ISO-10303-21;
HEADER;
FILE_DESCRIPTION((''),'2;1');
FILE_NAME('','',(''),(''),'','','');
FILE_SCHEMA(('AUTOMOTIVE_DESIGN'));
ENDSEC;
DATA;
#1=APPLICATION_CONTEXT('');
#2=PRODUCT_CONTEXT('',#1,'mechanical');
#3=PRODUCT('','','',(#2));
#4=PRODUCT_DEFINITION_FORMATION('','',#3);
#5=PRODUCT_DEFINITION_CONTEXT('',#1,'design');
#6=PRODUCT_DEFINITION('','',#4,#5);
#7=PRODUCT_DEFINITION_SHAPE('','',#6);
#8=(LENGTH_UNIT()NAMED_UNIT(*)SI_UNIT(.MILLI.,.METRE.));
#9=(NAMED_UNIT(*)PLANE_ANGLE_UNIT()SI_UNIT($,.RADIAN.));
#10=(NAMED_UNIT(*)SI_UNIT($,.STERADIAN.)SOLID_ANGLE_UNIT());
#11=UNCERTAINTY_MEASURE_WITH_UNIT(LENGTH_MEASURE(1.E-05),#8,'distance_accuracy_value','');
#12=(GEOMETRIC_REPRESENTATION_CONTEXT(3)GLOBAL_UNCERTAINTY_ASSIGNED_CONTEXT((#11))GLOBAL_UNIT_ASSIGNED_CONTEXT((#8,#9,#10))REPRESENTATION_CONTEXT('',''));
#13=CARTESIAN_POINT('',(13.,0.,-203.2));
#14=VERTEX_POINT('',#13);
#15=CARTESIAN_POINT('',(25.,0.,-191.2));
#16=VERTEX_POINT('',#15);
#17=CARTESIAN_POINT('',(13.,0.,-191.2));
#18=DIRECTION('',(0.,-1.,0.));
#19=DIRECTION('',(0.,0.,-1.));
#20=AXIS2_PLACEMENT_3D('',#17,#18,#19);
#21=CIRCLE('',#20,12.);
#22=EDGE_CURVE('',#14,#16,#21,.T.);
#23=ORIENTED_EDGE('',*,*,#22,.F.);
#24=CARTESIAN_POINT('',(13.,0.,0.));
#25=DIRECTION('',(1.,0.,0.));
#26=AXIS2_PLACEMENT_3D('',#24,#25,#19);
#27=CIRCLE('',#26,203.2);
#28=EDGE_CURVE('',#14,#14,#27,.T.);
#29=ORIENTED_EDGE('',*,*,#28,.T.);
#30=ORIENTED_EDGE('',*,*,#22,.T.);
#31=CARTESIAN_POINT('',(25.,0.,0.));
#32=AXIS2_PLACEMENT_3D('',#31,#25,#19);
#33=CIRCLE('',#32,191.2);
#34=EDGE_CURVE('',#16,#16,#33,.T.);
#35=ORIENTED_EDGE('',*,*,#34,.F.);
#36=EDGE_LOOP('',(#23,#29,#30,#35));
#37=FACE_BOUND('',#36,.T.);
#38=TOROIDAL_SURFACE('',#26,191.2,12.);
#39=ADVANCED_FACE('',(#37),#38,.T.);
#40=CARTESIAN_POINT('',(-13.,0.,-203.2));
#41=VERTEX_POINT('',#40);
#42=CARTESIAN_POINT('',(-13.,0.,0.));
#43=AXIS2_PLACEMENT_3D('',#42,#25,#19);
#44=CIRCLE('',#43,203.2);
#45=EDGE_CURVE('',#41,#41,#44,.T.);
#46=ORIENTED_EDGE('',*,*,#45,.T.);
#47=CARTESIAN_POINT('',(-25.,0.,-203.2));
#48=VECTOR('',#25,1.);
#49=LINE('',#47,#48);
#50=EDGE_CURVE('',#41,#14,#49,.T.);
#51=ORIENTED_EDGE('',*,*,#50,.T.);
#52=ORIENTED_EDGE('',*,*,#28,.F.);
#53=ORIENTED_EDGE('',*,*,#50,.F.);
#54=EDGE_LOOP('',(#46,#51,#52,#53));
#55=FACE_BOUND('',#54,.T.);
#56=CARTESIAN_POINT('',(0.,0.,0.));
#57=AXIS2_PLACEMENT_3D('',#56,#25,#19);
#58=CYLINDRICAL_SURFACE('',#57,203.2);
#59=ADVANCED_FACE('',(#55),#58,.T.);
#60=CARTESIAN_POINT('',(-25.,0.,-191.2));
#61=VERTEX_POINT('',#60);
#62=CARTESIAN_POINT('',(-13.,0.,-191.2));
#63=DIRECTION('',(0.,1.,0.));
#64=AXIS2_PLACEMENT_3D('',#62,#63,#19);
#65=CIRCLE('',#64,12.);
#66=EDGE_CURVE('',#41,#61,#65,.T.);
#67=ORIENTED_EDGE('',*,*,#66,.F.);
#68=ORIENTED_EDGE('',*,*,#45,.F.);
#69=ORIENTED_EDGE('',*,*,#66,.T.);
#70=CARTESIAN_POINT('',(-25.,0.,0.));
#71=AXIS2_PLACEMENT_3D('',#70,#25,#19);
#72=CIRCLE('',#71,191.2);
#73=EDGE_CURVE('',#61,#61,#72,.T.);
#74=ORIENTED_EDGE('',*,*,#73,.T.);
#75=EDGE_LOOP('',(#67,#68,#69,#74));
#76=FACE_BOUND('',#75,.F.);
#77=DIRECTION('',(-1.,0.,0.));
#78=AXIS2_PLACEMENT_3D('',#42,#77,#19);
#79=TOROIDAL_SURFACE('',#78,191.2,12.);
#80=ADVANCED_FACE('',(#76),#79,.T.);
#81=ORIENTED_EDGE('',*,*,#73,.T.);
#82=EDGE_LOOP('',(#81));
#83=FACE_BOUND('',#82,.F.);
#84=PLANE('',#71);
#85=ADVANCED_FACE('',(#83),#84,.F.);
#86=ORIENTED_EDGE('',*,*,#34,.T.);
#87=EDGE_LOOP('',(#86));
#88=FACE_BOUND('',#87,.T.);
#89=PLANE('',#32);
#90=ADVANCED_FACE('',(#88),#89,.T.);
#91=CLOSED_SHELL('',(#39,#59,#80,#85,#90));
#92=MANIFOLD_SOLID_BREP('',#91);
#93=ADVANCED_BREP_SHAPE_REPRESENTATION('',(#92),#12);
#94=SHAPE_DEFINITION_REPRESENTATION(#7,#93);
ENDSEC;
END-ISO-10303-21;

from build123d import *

# Parameters (mm, degrees)
SKETCH1_R           = 203.2
BOSS_EXTRUDE1_DEPTH = 25
FILLET1_R           = 12


with BuildPart() as part:
    # Sketch1 → Boss-Extrude1 (new body, symmetric)
    with BuildSketch(Plane(origin=(0, 0, 0), x_dir=(0, 0, -1), z_dir=(1, 0, 0))):
        Circle(SKETCH1_R)
    extrude(amount=BOSS_EXTRUDE1_DEPTH, both=True)

    # Fillet1
    fillet1_edges = [part.edges().sort_by_distance(p)[0] for p in [
        (-25, 0, 203.2),
        (25, 0, 203.2),
    ]]
    fillet(fillet1_edges, radius=FILLET1_R)


solid = part.part
